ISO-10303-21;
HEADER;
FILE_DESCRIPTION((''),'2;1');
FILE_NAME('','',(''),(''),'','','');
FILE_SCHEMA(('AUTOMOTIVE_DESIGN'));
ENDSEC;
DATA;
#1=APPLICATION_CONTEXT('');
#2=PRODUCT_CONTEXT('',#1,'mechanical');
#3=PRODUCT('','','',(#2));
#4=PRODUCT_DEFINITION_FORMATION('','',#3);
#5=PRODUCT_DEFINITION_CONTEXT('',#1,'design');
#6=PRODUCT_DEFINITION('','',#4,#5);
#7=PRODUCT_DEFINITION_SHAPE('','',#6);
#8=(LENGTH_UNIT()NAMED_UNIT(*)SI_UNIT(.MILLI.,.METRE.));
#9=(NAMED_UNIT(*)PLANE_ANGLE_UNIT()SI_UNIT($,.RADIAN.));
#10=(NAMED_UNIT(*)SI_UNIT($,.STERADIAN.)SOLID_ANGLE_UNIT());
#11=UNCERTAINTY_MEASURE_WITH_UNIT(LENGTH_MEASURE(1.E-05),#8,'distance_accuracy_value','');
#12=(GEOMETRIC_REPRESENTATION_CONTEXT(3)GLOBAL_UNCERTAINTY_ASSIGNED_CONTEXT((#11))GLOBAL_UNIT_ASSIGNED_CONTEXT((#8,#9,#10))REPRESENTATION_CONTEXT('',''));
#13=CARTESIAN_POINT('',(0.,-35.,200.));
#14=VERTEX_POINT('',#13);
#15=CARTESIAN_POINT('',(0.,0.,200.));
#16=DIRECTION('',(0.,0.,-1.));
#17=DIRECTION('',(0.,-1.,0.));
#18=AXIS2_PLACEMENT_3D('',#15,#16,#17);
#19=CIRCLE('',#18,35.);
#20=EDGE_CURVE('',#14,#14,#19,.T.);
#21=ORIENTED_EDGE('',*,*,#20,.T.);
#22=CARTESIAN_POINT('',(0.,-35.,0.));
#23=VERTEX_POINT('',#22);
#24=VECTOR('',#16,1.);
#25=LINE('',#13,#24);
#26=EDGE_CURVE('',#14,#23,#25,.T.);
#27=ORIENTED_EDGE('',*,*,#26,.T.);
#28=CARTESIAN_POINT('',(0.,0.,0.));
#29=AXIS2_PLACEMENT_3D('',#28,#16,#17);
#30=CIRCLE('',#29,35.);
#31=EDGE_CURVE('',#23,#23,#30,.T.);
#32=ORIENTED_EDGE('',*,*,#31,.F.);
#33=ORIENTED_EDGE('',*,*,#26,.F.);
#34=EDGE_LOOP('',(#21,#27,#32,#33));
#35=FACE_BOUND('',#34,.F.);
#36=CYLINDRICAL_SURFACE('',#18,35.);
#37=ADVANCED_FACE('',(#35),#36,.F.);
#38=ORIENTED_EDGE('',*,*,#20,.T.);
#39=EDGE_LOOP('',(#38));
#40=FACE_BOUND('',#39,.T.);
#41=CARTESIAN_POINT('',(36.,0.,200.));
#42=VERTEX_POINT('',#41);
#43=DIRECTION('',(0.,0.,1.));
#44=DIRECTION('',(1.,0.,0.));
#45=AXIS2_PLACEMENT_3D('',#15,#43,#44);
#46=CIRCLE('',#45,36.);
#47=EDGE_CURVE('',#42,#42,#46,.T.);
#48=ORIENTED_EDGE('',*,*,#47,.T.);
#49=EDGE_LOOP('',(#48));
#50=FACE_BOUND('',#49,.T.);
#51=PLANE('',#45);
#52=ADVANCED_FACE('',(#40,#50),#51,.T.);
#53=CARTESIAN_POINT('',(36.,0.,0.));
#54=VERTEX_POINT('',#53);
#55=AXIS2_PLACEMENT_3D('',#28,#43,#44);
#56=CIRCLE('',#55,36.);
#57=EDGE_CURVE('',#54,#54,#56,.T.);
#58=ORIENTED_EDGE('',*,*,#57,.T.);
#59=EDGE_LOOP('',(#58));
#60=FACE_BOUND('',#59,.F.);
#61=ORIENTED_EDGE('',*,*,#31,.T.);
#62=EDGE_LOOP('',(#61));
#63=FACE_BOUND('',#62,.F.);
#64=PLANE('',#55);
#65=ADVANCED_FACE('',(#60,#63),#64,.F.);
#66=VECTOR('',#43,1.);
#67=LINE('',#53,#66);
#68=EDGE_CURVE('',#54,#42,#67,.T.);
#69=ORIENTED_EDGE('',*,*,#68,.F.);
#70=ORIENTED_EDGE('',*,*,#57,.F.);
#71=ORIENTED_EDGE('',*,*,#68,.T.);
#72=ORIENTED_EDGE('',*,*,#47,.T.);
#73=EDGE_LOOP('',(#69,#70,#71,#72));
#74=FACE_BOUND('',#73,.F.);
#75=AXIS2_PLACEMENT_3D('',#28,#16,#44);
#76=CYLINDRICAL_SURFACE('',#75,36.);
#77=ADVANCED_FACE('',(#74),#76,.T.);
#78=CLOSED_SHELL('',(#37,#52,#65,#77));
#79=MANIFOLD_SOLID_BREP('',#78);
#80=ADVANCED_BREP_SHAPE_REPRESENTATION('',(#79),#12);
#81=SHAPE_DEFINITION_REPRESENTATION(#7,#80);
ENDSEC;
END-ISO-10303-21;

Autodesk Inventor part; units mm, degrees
ref_plane "YZ Plane" through (0, 0, 0) normal (1, 0, 0) x (0, 1, 0)
ref_plane "XZ Plane" through (0, 0, 0) normal (0, 1, 0) x (-1, 0, 0)
ref_plane "XY Plane" through (0, 0, 0) normal (0, 0, 1) x (1, 0, 0)
sketch "Sketch1" plane through (0, 0, 0) normal (0, 0, 1) x (1, 0, 0)
  circle A0 centre (0, 0) radius 36
  dimension "d0" = 72
extrude "Extrusion1" add sketch "Sketch1" along normal blind 200
sketch "Sketch2" plane through (0, 0, 200) normal (0, 0, 1) x (1, 0, 0)
  circle A0 centre (0, 0) radius 36 projected
  circle A1 centre (0, 0) radius 36 projected
hole "Hole1" at (0, 0, 200) direction (0, 0, -1) diameter 70 end through all
properties part number "rat cylinder"
